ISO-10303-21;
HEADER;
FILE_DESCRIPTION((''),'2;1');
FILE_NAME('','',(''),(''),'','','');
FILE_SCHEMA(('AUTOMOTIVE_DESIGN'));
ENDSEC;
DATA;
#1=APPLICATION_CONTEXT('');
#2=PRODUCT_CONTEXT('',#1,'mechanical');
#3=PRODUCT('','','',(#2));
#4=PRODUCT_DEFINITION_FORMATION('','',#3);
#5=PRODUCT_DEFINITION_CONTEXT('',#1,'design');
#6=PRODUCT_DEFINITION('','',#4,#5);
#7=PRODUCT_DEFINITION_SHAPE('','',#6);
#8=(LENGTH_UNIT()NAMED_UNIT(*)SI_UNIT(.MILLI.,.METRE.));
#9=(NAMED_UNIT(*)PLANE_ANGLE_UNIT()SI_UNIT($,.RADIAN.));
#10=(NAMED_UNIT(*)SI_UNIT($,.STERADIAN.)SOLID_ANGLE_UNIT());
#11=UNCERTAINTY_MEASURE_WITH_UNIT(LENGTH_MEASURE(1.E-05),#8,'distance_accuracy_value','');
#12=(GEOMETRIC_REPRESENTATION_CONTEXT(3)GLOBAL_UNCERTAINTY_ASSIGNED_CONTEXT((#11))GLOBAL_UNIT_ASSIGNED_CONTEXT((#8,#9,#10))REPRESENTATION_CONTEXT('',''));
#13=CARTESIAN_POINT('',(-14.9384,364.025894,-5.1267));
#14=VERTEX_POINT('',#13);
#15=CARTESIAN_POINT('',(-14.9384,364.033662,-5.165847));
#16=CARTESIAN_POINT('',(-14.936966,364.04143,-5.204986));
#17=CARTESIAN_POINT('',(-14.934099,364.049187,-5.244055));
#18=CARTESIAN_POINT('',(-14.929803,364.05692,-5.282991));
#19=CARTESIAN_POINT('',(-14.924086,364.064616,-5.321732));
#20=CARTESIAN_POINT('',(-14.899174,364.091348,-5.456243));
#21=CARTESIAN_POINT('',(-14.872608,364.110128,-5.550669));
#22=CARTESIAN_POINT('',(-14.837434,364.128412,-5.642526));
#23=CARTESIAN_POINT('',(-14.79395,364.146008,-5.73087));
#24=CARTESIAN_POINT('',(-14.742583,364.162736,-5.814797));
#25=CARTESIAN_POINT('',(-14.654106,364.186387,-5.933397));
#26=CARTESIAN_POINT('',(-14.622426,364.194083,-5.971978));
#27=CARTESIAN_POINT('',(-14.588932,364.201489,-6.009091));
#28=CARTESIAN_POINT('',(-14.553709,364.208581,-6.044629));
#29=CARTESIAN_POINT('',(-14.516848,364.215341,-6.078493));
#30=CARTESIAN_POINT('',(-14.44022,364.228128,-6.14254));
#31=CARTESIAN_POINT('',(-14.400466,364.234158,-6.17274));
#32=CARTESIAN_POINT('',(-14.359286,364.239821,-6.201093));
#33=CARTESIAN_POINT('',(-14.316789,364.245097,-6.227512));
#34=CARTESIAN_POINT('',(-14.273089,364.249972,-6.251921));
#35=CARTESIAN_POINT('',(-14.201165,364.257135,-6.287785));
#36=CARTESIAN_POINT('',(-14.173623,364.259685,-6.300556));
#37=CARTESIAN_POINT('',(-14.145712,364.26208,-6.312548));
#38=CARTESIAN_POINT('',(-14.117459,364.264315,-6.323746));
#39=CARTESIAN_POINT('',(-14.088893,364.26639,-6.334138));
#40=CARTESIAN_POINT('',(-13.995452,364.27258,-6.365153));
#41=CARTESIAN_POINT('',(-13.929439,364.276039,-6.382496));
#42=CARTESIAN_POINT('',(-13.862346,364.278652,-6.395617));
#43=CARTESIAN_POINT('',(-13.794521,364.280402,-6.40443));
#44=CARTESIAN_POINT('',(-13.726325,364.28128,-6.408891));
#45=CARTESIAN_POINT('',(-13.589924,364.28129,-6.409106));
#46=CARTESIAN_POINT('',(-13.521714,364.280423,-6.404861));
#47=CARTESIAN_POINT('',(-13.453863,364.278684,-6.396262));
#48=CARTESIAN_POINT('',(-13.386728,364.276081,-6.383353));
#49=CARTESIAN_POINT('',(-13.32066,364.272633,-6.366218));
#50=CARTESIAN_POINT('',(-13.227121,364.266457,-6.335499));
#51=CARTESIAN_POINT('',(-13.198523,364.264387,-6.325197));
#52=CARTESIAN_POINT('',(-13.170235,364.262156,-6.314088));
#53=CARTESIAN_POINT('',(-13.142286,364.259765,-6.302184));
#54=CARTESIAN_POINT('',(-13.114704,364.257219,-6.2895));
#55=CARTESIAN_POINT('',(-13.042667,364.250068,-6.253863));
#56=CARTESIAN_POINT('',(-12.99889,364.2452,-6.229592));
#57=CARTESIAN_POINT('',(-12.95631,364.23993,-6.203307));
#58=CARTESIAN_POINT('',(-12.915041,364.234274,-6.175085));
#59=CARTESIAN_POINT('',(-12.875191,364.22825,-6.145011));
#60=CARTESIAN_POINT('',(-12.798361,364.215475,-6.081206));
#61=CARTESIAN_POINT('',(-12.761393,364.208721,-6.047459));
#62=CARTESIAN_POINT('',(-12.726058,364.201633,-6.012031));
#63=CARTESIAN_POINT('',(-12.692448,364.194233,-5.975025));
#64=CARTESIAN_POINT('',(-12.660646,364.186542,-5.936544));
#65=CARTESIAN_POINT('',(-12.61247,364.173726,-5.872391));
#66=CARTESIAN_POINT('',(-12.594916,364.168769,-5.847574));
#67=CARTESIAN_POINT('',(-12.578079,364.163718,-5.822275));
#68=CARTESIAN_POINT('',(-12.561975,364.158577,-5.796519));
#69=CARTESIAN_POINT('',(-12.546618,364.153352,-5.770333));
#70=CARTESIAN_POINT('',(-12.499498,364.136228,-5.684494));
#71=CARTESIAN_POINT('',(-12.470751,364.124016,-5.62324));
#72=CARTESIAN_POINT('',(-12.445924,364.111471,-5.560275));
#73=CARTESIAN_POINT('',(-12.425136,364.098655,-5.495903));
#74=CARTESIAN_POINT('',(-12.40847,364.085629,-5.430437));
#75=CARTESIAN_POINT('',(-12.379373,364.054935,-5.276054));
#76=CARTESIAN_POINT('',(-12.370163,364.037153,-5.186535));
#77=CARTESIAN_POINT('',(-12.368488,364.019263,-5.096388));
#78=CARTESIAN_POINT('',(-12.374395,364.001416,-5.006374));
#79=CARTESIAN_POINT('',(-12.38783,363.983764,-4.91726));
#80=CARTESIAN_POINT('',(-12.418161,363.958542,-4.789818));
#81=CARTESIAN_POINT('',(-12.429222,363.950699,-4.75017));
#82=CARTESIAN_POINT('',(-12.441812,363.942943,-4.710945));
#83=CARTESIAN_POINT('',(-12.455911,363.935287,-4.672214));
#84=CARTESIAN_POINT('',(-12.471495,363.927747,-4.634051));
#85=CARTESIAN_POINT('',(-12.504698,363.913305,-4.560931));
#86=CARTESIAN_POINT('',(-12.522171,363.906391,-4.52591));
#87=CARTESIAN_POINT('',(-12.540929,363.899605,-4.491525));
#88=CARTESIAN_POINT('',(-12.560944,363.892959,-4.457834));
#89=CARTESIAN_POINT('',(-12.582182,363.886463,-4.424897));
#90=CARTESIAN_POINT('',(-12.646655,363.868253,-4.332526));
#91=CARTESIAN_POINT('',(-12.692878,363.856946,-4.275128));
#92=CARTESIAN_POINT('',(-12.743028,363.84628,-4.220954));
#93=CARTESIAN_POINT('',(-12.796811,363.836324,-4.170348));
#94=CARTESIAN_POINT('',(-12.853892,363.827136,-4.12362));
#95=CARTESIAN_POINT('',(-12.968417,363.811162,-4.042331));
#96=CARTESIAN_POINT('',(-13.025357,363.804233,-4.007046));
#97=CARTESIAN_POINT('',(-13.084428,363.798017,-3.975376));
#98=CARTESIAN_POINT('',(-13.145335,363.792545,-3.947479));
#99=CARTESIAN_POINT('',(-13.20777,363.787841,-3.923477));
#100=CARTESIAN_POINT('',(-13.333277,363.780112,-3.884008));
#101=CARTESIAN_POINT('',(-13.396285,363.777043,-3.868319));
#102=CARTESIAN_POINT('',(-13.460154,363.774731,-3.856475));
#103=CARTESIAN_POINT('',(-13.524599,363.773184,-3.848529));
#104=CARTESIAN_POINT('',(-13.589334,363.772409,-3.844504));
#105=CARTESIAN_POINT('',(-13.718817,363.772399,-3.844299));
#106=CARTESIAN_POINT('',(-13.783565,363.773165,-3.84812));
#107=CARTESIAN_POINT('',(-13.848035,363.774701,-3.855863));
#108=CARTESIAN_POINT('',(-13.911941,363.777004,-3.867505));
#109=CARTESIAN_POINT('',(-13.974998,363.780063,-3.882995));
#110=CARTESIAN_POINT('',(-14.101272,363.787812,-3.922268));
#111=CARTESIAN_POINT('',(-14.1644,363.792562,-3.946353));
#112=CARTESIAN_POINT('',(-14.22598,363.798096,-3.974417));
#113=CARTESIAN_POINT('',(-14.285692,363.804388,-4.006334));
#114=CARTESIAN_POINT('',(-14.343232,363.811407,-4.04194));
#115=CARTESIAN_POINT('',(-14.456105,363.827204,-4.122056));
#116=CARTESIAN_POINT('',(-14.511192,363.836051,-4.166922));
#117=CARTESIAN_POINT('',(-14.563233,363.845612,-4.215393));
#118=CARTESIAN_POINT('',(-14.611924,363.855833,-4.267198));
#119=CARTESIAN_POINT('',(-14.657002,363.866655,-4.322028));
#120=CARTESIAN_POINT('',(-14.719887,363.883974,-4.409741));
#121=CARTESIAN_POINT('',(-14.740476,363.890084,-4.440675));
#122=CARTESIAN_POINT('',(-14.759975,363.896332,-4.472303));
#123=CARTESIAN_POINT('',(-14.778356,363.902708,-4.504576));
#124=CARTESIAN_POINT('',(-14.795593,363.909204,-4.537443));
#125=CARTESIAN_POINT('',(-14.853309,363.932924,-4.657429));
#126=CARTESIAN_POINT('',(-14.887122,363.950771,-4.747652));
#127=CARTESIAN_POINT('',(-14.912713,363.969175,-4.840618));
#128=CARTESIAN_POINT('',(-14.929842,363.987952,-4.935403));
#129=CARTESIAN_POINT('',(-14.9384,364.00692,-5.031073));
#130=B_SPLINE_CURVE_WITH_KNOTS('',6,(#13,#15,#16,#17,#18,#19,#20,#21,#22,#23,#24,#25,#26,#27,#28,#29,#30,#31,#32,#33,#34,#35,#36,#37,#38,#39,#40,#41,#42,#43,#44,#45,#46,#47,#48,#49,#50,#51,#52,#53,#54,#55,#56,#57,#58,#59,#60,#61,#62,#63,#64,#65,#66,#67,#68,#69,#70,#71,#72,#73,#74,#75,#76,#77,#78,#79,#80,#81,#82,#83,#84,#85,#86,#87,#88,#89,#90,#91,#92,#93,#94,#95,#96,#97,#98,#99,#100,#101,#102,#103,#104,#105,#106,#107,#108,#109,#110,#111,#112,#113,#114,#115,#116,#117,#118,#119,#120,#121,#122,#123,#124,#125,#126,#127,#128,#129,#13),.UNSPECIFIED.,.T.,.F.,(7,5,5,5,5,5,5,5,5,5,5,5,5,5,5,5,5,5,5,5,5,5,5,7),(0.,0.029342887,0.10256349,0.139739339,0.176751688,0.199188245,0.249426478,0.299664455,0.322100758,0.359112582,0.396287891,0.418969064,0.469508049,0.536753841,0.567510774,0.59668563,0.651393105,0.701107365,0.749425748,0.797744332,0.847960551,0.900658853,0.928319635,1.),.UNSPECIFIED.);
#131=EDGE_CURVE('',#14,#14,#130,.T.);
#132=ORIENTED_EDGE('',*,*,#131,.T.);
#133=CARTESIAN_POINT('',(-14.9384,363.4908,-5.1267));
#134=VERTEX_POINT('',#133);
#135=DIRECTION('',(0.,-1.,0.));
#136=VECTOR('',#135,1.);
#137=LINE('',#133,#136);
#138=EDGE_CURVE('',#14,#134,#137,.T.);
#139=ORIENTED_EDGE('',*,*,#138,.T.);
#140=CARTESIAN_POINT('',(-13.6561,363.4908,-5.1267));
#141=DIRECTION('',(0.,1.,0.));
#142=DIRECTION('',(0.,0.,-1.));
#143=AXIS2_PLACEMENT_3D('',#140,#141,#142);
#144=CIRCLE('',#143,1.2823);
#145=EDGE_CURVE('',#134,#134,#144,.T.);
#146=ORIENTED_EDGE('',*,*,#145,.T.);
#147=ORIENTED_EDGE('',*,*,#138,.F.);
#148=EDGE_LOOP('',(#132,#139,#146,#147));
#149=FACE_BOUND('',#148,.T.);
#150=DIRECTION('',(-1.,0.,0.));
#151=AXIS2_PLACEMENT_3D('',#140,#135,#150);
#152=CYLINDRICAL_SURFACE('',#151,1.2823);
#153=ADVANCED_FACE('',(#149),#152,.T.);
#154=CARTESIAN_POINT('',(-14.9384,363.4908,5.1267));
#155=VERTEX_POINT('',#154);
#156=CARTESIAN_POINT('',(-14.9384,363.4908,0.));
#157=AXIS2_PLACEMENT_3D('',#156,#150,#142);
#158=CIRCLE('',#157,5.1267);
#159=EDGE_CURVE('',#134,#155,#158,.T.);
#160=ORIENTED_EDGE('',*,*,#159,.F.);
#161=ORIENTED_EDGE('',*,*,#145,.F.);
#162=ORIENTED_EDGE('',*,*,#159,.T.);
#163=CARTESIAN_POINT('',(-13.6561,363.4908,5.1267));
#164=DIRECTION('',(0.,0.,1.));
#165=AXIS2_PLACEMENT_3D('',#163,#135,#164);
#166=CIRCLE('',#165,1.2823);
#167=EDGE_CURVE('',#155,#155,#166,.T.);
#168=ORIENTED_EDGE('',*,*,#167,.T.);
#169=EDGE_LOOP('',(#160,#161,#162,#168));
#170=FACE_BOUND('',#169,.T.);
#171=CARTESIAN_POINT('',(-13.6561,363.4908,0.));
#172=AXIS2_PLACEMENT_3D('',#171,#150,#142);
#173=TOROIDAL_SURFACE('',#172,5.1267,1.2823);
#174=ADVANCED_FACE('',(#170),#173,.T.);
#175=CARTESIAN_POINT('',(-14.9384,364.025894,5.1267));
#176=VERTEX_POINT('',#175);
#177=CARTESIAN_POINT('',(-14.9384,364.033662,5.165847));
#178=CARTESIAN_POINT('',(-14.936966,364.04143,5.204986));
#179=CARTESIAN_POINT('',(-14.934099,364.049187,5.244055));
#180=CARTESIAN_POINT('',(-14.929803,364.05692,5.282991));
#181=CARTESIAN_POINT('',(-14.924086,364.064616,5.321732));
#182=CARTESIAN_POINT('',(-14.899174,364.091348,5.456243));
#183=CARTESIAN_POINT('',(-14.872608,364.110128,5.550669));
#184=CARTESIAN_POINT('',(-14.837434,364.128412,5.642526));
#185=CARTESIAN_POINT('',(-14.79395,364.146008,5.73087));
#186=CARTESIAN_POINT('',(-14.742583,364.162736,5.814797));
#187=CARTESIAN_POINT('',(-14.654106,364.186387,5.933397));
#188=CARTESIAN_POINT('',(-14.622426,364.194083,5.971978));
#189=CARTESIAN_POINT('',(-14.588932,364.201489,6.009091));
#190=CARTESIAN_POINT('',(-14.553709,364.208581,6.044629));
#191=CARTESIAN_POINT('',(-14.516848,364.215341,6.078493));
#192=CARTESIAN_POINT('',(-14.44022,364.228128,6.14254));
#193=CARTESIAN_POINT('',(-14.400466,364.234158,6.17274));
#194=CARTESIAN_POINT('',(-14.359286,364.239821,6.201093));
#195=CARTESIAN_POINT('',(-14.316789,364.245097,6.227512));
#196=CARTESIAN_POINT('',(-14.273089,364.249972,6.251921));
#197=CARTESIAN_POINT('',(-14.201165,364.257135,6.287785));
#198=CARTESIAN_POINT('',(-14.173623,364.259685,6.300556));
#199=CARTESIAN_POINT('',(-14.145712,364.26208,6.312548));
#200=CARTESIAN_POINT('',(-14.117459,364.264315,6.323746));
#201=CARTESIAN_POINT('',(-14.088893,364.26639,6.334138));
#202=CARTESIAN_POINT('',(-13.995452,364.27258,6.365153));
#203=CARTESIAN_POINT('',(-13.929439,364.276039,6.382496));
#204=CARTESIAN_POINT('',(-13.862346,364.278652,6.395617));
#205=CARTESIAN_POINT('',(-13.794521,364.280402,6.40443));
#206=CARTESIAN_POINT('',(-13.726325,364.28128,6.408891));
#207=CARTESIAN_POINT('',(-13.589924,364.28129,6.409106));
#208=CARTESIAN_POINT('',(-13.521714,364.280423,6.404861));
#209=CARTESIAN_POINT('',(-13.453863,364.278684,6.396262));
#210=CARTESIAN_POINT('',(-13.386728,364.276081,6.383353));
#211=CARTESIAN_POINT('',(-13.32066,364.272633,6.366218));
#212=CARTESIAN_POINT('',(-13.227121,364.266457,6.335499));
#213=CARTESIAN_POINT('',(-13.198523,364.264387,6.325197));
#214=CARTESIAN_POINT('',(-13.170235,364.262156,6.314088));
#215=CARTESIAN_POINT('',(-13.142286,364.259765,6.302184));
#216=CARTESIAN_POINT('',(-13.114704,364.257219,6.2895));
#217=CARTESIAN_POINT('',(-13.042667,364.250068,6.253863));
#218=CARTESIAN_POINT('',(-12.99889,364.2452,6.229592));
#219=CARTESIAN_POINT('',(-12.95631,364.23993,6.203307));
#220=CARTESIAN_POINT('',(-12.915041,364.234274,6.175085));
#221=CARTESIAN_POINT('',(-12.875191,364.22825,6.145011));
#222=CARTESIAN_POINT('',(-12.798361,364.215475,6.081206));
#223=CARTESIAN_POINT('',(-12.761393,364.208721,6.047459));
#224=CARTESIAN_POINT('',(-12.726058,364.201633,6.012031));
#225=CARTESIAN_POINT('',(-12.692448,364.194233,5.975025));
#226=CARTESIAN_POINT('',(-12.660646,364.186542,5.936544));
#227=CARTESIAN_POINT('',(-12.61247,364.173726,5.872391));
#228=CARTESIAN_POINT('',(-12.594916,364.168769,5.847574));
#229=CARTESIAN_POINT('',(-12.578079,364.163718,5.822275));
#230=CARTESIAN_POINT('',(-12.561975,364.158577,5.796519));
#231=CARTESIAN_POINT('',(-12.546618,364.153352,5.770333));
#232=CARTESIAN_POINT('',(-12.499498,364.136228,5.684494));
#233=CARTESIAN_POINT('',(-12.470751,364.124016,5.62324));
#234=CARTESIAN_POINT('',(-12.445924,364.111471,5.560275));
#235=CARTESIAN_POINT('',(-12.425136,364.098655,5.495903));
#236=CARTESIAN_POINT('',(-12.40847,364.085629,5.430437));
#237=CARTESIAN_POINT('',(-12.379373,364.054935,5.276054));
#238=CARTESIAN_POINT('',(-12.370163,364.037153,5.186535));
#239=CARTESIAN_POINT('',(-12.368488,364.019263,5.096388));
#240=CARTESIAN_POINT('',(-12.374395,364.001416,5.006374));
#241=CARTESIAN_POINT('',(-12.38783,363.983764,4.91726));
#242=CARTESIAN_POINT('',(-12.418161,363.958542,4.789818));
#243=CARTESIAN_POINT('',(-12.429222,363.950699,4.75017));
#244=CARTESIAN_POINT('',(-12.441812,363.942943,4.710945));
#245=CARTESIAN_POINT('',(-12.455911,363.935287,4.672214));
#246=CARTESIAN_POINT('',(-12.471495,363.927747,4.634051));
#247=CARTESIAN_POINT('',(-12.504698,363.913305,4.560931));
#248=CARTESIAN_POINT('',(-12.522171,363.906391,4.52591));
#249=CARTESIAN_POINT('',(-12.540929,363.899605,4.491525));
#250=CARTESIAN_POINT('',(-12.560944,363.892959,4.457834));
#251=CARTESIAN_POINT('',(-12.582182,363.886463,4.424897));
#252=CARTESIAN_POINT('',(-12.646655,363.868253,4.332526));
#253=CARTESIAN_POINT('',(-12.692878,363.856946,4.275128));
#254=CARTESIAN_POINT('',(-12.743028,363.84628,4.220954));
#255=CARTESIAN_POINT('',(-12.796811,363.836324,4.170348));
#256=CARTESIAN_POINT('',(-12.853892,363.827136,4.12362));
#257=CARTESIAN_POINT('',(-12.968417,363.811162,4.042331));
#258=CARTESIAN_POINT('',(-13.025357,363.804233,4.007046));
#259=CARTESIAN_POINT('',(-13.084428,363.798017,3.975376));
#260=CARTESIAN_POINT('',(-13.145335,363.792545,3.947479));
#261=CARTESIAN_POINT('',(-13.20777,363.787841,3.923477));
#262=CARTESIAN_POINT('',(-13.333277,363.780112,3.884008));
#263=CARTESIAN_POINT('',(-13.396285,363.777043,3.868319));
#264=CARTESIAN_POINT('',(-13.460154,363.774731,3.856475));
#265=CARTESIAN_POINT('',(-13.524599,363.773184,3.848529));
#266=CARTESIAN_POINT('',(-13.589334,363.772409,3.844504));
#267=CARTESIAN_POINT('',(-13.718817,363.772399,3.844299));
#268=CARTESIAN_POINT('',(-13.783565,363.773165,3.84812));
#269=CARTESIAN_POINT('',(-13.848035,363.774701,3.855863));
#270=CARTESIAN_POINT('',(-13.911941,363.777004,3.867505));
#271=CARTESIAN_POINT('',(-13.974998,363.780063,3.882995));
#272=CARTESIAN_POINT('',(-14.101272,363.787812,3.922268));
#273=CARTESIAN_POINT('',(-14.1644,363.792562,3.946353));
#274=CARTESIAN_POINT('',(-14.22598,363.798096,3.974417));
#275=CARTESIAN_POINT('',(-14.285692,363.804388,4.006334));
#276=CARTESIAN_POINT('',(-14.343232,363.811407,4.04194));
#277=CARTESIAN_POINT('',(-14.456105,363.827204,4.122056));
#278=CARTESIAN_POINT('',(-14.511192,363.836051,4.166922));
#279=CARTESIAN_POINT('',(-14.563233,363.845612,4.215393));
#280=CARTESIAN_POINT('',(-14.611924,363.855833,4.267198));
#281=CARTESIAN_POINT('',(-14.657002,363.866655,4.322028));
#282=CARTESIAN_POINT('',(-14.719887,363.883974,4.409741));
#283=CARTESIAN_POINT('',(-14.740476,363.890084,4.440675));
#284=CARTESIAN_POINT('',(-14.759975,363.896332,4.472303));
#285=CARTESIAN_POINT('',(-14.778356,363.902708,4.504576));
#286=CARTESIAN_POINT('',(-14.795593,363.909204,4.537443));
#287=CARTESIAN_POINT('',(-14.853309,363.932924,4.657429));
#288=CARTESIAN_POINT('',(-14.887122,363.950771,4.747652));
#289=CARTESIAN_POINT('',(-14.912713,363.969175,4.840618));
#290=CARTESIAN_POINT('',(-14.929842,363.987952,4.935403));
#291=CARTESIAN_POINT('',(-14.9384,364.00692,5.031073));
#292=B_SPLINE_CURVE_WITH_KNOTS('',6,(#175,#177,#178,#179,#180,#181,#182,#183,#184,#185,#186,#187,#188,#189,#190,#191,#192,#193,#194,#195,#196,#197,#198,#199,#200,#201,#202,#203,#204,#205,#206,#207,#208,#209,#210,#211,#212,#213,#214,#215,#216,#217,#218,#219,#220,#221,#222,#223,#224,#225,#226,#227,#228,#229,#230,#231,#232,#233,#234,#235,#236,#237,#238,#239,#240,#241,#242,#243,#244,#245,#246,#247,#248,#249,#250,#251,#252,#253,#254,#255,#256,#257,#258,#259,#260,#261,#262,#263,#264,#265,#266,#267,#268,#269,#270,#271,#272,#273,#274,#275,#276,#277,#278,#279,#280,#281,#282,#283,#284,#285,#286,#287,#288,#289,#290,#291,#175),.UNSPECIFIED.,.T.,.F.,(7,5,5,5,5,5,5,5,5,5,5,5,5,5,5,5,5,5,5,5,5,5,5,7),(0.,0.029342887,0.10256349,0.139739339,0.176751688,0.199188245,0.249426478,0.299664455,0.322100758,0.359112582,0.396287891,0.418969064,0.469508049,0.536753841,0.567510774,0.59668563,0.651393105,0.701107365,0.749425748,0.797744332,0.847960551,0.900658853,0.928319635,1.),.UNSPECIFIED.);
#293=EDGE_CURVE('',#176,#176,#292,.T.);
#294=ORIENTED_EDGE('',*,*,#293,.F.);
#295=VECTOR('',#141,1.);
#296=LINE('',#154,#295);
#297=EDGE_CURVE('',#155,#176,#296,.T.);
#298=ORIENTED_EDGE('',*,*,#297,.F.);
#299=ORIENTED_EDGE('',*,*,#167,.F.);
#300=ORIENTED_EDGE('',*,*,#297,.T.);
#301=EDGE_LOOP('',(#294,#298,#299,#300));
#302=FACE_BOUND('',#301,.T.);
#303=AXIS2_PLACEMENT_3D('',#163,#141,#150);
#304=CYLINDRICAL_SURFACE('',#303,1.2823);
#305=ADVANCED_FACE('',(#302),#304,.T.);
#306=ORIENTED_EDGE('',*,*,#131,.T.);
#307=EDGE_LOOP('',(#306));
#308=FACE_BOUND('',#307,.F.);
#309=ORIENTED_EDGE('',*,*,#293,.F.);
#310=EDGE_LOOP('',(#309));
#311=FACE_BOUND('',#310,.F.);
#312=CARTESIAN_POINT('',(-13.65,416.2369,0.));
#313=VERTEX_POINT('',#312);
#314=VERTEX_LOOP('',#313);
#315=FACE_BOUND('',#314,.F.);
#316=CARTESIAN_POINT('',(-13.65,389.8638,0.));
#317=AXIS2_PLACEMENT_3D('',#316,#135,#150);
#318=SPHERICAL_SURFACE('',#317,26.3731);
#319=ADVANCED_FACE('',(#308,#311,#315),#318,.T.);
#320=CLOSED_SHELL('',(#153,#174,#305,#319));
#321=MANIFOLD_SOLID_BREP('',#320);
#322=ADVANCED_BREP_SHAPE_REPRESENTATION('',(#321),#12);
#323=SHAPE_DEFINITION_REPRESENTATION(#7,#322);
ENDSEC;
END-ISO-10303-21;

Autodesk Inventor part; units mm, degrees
ref_plane "YZ Plane" through (0, 0, 0) normal (1, 0, 0) x (0, 1, 0)
ref_plane "XY Plane" through (0, 0, 0) normal (0, 0, 1) x (1, 0, 0)
sketch "Sketch1" plane through (0, 0, 0) normal (0, 0, 1) x (1, 0, 0)
  circle A0 centre (-13.65, 389.8638) radius 26.3731
  line L0 (-12.9219, 135.373) -> (-12.9219, 344.0738)
  line L1 (-14.3781, 135.373) -> (-14.3781, 344.0738)
  line L2 (-14.3781, 344.0738) -> (-12.9219, 344.0738)
  line L3 (-13.65, 344.0738) -> (-13.65, 443.1033)
  line L4 (-13.65, 363.4908) -> (-13.65, 416.2369)
  point P0 (0, 0)
revolve "Revolution1" add sketch "Sketch1" angle 360 about axis through (-13.65, 344.0738, 0) along (0, 1, 0) picked at (-15.7538, 398.3994) contours L3 A0
ref_plane "Work Plane1" through (-13.65, 363.4908, 0) normal (0, 1, 0) x (-1, 0, 0)
sketch "Sketch2" plane through (-13.65, 363.4908, 0) normal (0, 1, 0) x (-1, 0, 0)
  circle A0 centre (0.0061, -5.1267) radius 1.2823
  line L0 (-16.2825, 0) -> (16.6651, 0)
  circle A1 centre (0.0061, 5.1267) radius 1.2823
  point P0 (-13.65, 0)
ref_plane "Work Plane2" through (-13.6561, 363.4908, -5.1267) normal (-1, 0, 0) x (0, -1, 0)
sketch "Sketch3" plane through (-13.6561, 363.4908, -5.1267) normal (-1, 0, 0) x (0, -1, 0)
  line L0 (0, 10.2534) -> (-8.6144, 10.2534)
  line L1 (0, 0) -> (-6.0863, 0)
  line L2 (0, -31.7956) -> (0, 42.0491) projected
  line L3 (0, 1.2823) -> (0, -1.2823) projected
  arc A0 (0, 0) -> (0, 10.2534) centre (0, 5.1267) ccw
  line L4 (-8.6144, 10.2534) -> (-6.0863, 0)
  point P0 (363.4908, 5.1267)
  dimension "d1" = 103.851
  dimension "d2" = 360.0583
sweep "Sweep1" add profiles "Sketch2" path "Sketch3" path curves A0 L0 L4 L1 contours A1
properties part number "Ball"
